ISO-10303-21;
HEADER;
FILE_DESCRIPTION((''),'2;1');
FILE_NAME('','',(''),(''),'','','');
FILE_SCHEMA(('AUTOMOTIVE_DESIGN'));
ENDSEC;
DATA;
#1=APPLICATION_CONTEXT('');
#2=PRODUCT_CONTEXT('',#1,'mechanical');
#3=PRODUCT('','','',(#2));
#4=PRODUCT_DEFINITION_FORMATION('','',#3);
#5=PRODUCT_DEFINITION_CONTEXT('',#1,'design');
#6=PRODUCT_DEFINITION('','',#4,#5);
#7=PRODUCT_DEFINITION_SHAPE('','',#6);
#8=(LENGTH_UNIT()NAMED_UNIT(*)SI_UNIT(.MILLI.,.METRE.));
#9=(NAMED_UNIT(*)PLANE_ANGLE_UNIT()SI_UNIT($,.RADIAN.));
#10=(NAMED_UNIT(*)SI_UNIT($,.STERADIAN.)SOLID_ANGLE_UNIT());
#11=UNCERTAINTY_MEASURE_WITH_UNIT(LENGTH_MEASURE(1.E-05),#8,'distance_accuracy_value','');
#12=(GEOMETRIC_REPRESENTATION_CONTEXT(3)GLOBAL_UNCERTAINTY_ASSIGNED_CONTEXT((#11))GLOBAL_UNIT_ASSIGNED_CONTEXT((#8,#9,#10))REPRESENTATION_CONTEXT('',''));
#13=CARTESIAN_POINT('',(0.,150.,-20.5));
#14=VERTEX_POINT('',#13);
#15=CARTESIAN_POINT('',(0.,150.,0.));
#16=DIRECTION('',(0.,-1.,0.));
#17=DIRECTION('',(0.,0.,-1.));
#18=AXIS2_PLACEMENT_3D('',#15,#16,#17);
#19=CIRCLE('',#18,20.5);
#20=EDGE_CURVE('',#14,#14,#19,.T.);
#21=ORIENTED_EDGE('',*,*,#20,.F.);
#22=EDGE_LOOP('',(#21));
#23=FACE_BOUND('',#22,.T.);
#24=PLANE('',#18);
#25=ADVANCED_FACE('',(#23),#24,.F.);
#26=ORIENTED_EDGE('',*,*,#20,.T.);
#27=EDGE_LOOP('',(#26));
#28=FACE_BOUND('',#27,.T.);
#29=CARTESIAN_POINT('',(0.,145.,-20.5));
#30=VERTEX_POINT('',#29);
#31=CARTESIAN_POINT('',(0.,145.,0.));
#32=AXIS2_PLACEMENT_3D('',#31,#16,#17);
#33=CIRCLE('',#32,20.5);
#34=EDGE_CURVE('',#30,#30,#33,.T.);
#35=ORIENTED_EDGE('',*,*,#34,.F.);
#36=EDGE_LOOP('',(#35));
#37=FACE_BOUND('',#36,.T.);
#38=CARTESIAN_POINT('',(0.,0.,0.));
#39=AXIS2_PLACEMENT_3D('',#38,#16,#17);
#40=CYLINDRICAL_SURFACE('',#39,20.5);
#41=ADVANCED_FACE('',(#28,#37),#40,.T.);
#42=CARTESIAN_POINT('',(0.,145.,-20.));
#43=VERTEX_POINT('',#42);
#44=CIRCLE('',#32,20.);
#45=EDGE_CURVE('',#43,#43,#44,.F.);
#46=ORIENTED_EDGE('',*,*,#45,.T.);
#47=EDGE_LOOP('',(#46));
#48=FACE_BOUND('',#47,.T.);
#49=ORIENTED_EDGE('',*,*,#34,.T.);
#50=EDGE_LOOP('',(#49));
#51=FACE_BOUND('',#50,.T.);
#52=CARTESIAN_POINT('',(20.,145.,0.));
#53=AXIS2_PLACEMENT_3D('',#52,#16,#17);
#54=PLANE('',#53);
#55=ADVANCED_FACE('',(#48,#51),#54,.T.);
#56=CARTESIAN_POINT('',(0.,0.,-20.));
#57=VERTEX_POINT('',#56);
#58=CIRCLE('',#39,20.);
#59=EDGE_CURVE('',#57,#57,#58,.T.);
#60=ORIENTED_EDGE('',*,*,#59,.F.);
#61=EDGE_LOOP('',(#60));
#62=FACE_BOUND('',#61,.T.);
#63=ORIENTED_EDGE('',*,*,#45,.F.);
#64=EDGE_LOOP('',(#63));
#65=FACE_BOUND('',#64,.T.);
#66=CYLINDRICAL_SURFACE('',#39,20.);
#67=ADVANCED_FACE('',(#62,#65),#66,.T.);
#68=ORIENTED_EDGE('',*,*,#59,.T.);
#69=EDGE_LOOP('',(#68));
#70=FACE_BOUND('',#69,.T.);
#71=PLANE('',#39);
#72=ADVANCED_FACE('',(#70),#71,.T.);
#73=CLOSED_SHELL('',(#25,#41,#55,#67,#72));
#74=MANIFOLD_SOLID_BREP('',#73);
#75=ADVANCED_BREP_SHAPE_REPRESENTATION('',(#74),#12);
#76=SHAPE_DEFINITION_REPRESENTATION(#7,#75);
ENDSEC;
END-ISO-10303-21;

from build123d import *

# Parameters (mm, degrees)
SKETCH_1_W   = 20
SKETCH_1_H   = 150
SKETCH_1_W_2 = 0.5
SKETCH_1_H_2 = 5


with BuildPart() as part:
    # 草图1 → 旋转2 (revolve)
    with BuildSketch(Plane.XY, mode=Mode.PRIVATE) as revolve_2_sk:
        with Locations((10, 75)):
            Rectangle(SKETCH_1_W, SKETCH_1_H)
        with Locations((20.25, 147.5)):
            Rectangle(SKETCH_1_W_2, SKETCH_1_H_2)
    revolve(revolve_2_sk.sketch.rotate(Axis((0, 0, 0), (0, 1, 0)), 90), axis=Axis((0, 0, 0), (0, 1, 0)))


solid = part.part
